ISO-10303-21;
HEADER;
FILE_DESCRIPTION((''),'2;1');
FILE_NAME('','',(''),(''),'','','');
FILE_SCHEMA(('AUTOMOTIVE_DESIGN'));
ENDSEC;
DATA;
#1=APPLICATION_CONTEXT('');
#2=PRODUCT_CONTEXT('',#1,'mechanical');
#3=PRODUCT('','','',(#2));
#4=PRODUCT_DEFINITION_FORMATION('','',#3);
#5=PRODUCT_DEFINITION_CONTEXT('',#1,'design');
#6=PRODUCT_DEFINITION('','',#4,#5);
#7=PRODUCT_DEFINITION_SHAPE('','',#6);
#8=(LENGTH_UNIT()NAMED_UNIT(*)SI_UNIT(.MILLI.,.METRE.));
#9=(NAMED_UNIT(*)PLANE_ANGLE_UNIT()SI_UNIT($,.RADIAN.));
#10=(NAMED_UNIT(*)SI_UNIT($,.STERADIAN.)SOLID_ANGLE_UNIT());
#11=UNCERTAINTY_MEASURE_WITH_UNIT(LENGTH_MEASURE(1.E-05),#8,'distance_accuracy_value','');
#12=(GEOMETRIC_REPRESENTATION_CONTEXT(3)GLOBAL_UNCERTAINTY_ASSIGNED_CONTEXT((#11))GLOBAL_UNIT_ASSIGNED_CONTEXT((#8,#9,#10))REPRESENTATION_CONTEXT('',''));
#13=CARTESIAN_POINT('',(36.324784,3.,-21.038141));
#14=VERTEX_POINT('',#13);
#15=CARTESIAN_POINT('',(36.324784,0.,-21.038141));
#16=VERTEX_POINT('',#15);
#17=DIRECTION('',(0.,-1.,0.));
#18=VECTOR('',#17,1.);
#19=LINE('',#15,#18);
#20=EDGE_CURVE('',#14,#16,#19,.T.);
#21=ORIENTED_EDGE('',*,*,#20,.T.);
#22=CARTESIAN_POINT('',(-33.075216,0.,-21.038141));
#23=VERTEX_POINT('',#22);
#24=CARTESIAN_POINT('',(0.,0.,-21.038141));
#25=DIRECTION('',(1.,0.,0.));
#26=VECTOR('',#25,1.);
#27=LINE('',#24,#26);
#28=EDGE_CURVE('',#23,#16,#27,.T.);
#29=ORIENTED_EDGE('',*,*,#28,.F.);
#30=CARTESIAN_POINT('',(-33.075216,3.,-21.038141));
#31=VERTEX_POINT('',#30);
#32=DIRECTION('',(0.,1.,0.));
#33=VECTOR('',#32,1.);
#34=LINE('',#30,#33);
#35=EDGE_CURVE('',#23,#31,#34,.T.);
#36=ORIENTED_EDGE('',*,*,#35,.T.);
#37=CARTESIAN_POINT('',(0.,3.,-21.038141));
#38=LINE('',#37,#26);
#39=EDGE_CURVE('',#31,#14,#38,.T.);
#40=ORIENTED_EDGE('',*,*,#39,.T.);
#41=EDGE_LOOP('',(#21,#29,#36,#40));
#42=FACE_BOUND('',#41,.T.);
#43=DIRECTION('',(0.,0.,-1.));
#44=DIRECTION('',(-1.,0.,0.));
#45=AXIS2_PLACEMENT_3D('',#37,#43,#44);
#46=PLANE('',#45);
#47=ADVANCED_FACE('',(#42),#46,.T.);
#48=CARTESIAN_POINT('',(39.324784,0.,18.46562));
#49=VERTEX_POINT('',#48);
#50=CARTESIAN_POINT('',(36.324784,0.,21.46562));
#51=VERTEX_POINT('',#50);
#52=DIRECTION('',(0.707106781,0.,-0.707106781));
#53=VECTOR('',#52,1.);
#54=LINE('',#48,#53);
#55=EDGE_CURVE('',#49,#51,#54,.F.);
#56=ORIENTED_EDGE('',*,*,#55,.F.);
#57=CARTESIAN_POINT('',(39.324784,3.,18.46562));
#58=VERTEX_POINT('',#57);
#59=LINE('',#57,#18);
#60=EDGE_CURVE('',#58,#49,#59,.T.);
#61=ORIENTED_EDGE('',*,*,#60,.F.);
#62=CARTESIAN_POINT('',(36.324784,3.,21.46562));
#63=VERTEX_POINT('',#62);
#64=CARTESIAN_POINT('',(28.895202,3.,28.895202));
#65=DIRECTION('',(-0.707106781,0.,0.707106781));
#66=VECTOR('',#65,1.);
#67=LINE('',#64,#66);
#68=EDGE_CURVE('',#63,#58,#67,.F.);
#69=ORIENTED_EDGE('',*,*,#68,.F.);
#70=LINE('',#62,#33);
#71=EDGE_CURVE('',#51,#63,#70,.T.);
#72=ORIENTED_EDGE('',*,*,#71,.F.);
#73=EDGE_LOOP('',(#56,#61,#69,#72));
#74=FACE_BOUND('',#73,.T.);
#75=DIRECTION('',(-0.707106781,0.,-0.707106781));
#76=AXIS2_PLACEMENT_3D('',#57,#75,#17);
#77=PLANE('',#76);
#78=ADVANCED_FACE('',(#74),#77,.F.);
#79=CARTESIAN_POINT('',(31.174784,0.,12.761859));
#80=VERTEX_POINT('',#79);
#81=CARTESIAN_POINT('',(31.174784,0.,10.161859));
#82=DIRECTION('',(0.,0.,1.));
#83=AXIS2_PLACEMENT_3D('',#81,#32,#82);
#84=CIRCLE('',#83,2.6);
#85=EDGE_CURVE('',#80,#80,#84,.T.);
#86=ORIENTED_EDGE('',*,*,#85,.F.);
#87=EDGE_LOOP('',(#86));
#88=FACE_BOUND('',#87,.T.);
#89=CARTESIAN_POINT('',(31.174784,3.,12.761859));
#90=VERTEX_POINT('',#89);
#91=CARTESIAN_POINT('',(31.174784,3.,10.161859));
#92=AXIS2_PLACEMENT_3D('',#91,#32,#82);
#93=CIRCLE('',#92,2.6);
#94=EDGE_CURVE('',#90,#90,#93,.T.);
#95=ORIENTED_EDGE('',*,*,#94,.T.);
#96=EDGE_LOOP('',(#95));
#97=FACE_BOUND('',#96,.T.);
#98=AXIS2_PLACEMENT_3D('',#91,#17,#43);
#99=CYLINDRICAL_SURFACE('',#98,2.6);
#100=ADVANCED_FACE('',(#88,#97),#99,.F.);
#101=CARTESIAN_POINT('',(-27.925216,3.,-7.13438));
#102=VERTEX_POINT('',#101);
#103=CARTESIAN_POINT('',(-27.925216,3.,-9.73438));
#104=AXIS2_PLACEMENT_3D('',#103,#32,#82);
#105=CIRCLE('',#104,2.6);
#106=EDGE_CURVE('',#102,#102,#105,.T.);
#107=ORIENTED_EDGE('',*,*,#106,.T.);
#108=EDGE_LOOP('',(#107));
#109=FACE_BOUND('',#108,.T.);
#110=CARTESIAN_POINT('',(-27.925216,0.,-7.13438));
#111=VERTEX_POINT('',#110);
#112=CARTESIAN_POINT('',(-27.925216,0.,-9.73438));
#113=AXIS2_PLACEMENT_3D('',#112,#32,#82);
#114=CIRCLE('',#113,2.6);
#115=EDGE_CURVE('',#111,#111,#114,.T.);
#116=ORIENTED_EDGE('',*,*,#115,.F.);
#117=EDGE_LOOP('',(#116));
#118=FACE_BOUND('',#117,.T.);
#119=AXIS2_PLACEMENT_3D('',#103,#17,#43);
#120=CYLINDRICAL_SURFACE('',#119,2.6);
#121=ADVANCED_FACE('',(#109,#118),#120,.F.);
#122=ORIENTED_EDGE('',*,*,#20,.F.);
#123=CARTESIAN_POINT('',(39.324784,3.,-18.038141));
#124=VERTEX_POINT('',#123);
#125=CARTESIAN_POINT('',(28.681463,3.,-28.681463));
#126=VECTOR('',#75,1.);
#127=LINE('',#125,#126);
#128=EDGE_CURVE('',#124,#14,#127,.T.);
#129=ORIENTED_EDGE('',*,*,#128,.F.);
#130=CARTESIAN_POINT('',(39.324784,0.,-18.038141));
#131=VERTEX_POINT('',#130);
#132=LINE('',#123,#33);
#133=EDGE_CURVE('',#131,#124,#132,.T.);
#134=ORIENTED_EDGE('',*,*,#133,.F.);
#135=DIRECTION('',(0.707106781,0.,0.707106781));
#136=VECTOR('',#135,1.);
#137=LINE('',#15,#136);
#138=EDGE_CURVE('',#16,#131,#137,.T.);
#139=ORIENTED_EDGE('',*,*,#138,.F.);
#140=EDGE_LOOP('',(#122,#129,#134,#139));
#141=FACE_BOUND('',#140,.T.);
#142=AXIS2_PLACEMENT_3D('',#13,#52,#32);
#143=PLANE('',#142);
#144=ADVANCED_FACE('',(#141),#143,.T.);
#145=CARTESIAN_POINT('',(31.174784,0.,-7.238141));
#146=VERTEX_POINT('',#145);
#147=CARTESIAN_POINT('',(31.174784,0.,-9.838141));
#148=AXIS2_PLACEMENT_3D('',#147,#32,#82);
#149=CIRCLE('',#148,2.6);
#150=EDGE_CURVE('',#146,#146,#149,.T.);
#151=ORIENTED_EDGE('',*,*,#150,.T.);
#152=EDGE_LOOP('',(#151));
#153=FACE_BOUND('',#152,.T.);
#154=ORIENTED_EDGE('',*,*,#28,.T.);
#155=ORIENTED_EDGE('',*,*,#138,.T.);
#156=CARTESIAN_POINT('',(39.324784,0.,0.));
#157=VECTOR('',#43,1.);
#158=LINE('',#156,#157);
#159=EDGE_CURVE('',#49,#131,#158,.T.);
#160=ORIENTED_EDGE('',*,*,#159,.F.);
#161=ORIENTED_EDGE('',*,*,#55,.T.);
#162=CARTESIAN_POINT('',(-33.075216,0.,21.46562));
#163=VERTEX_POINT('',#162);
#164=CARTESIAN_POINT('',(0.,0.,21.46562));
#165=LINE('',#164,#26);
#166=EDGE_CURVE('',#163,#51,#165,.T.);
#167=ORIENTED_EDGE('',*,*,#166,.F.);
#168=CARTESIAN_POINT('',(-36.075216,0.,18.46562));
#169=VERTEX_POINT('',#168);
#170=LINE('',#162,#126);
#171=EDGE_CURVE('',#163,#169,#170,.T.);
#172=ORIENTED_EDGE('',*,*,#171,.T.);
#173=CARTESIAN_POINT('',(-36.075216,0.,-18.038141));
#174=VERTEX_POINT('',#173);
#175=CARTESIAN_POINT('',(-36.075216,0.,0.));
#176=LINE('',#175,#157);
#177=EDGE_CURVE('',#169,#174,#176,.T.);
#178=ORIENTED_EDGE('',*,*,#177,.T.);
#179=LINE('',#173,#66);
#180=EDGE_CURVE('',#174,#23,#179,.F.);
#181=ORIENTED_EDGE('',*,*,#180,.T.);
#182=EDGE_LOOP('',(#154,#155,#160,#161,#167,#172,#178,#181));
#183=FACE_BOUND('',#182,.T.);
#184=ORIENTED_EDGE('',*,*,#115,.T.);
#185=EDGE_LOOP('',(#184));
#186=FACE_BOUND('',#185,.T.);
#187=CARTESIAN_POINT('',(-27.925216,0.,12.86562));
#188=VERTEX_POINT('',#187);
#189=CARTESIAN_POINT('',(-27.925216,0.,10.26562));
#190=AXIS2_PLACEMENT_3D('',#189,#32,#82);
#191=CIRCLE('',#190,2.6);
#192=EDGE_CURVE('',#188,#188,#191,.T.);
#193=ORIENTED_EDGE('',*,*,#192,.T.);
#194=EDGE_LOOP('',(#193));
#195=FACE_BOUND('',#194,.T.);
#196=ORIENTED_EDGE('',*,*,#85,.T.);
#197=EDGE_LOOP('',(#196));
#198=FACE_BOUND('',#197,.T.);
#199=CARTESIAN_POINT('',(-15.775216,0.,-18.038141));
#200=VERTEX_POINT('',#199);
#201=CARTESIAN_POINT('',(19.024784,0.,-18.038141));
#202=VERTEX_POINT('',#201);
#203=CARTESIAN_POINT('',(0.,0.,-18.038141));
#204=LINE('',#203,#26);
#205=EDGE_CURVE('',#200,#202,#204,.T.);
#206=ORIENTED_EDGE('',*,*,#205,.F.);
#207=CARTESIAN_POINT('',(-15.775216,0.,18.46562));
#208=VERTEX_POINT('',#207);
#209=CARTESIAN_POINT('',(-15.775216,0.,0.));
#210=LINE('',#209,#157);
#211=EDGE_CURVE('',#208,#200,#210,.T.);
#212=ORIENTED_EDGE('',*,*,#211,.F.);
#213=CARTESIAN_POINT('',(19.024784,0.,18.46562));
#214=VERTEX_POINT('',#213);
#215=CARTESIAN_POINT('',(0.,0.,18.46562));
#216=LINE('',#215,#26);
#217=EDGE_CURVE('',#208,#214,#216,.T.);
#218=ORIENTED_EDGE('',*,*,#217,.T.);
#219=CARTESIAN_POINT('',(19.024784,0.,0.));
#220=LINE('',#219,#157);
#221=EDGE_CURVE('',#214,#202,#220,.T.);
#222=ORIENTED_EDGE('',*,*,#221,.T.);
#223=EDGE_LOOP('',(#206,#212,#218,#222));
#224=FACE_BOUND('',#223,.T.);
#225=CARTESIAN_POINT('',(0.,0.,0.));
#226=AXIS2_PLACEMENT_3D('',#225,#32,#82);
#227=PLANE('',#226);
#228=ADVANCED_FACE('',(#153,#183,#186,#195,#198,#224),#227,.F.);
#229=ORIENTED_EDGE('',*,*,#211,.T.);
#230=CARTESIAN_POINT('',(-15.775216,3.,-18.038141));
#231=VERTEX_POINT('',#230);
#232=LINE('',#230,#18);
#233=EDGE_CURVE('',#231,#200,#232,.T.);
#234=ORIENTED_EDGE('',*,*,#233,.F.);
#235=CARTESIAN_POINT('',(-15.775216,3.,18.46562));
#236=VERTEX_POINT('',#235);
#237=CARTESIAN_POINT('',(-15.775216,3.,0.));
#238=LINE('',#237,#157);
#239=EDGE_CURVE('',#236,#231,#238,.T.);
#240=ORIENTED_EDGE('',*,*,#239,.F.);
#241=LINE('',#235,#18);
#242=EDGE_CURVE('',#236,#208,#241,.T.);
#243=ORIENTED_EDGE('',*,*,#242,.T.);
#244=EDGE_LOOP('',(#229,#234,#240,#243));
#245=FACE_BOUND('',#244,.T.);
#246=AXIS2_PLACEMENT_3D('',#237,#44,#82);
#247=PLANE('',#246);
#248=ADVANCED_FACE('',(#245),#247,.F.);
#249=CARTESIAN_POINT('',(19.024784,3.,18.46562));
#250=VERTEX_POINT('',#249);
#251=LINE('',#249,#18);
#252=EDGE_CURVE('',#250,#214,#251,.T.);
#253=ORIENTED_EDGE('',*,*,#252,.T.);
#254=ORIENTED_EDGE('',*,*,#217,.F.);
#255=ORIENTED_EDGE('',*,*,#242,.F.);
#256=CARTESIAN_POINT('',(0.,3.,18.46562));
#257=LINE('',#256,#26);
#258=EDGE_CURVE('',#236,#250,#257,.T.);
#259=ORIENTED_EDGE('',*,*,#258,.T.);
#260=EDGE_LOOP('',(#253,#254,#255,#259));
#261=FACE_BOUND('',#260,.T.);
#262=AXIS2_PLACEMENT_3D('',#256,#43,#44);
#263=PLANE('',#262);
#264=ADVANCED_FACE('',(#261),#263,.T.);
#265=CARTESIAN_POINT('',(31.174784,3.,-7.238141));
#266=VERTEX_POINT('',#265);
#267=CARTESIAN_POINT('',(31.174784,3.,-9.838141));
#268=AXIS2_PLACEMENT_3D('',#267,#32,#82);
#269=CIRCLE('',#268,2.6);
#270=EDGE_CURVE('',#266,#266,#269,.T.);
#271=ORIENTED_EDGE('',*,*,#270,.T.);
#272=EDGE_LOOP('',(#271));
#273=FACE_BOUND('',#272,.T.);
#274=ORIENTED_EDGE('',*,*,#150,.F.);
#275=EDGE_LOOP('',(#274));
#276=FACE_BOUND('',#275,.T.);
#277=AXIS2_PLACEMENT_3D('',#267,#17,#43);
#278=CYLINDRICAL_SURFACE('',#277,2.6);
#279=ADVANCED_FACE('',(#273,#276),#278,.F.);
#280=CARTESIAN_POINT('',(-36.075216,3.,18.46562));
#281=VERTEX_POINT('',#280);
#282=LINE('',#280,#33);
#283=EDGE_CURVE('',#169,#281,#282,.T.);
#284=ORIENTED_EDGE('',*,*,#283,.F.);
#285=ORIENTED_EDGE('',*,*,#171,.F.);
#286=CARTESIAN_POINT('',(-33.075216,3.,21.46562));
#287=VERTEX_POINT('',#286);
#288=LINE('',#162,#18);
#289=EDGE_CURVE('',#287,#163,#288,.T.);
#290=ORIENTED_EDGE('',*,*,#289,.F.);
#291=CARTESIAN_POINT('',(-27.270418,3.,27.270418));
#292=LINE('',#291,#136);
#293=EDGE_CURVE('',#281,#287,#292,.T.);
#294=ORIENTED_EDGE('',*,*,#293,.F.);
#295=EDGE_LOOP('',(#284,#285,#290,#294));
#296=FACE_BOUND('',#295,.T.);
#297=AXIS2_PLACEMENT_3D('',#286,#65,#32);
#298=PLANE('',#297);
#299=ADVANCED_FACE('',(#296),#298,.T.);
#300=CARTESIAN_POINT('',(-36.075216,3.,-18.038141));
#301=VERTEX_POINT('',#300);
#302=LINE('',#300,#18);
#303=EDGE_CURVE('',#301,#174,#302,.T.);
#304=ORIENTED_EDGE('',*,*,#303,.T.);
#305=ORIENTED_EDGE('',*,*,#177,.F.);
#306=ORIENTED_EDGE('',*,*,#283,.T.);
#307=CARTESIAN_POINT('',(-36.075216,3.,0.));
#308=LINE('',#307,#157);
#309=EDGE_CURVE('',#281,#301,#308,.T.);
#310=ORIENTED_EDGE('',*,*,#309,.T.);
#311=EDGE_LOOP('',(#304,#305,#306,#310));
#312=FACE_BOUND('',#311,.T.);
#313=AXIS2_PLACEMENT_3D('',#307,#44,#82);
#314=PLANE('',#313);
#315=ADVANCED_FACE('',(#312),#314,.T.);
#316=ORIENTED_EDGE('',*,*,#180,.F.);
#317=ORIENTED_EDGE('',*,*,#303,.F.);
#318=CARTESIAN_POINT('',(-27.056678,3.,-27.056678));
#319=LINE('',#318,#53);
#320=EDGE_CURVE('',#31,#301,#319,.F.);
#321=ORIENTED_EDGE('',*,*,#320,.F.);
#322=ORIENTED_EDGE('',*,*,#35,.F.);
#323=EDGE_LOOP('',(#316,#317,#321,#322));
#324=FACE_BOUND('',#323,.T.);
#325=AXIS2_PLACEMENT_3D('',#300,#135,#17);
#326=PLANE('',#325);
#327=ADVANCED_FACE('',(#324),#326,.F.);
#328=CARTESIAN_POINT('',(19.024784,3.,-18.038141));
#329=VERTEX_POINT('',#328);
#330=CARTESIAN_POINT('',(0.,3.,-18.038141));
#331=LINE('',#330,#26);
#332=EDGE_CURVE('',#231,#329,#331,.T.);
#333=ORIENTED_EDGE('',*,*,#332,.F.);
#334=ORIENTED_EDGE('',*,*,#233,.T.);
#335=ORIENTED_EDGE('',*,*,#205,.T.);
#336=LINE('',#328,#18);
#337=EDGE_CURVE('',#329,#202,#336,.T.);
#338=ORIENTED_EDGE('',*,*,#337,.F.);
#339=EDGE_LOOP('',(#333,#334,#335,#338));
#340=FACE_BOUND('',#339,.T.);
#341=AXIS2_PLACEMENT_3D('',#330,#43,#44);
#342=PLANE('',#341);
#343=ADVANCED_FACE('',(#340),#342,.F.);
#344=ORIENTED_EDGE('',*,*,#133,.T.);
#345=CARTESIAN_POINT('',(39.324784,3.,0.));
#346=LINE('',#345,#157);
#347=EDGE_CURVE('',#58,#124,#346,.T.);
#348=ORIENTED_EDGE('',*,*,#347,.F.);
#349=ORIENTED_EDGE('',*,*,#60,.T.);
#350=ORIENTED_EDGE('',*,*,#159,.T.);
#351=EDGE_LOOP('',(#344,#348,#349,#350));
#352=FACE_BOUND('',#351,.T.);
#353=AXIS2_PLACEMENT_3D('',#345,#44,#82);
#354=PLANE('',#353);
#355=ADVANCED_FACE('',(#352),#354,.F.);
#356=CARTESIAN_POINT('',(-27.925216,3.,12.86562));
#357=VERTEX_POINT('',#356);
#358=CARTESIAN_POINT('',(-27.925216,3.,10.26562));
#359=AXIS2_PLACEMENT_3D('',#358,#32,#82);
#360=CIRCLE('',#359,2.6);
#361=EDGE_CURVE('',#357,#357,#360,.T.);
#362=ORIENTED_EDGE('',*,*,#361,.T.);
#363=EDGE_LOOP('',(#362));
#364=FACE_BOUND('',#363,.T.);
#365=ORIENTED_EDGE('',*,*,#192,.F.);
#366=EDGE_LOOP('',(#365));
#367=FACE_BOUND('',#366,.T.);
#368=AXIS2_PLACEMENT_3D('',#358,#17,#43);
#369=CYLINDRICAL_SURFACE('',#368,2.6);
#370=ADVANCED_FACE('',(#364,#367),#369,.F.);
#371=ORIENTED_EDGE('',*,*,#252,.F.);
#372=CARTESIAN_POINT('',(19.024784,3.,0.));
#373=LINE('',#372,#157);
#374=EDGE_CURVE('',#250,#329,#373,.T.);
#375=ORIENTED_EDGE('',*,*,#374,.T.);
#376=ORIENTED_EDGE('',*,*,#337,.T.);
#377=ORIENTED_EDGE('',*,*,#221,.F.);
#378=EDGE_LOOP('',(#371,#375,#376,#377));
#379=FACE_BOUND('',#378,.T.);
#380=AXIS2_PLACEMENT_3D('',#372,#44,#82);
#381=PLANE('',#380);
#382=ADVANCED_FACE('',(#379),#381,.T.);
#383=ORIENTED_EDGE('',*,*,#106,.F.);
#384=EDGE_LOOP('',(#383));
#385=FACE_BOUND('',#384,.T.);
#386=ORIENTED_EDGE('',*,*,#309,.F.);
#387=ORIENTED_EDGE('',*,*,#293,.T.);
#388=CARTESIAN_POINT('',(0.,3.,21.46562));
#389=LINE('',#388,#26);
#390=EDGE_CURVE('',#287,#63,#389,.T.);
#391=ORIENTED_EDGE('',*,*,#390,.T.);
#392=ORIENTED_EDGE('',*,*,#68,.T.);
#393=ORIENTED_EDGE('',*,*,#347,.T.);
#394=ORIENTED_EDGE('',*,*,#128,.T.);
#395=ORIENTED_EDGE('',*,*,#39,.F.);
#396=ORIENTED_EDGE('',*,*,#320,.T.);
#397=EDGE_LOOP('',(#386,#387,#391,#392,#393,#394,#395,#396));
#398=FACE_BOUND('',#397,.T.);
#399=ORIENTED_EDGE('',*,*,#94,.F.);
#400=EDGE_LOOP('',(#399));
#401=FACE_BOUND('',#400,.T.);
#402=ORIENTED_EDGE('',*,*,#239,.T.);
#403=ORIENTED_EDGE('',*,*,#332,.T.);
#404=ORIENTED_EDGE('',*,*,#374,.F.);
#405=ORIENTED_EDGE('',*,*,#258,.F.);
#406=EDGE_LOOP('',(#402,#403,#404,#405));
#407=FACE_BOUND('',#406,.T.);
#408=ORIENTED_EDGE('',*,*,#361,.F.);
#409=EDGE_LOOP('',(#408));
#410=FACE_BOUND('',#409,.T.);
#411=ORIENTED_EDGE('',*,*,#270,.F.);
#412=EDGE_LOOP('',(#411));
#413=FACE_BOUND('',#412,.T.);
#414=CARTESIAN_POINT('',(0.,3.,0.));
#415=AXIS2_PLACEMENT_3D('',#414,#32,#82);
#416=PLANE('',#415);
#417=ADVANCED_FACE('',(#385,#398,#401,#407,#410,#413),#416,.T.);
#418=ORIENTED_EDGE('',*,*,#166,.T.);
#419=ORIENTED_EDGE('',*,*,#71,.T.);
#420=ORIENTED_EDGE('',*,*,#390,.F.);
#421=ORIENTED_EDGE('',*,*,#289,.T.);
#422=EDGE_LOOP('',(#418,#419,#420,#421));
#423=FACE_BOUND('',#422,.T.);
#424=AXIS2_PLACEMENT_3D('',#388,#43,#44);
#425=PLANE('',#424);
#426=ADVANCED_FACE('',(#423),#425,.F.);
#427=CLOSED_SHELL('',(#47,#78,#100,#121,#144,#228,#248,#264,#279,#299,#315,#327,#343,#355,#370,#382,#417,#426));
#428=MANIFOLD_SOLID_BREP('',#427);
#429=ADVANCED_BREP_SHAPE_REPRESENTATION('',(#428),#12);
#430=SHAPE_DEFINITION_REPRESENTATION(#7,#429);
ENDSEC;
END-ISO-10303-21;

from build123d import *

# Parameters (mm, degrees)
SKETCH1_R           = 2.6
SKETCH1_W           = 34.8
SKETCH1_H           = 36.503761473
BOSS_EXTRUDE1_DEPTH = 3
CHAMFER1_SIZE       = 3


with BuildPart() as part:
    # Sketch1 → Boss-Extrude1 (new body)
    with BuildSketch(Plane(origin=(0, 0, 0), x_dir=(1, 0, 0), z_dir=(0, 1, 0))):
        Polygon((-36.075215726, -21.465620287), (-18.775215726, -21.465620287), (22.024784274, -21.465620287), (39.324784274, -21.465620287), (39.324784274, 21.038141186), (22.024784274, 21.038141186), (-18.775215726, 21.038141186), (-36.075215726, 21.038141186), align=None)
        with Locations((-27.925215726, -10.265620287)):
            Circle(SKETCH1_R, mode=Mode.SUBTRACT)
        with Locations((31.174784274, -10.161858814)):
            Circle(SKETCH1_R, mode=Mode.SUBTRACT)
        with Locations((-27.925215726, 9.734379713)):
            Circle(SKETCH1_R, mode=Mode.SUBTRACT)
        with Locations((1.624784274, -0.21373955)):
            Rectangle(SKETCH1_W, SKETCH1_H, mode=Mode.SUBTRACT)
        with Locations((31.174784274, 9.838141186)):
            Circle(SKETCH1_R, mode=Mode.SUBTRACT)
    extrude(amount=BOSS_EXTRUDE1_DEPTH)

    # Chamfer1
    chamfer1_edges = [part.edges().sort_by_distance(p)[0] for p in [
        (39.324784274, 1.5, -21.038141186),
        (39.324784274, 1.5, 21.465620287),
        (-36.075215726, 1.5, -21.038141186),
        (-36.075215726, 1.5, 21.465620287),
    ]]
    chamfer(chamfer1_edges, length=CHAMFER1_SIZE)


solid = part.part
